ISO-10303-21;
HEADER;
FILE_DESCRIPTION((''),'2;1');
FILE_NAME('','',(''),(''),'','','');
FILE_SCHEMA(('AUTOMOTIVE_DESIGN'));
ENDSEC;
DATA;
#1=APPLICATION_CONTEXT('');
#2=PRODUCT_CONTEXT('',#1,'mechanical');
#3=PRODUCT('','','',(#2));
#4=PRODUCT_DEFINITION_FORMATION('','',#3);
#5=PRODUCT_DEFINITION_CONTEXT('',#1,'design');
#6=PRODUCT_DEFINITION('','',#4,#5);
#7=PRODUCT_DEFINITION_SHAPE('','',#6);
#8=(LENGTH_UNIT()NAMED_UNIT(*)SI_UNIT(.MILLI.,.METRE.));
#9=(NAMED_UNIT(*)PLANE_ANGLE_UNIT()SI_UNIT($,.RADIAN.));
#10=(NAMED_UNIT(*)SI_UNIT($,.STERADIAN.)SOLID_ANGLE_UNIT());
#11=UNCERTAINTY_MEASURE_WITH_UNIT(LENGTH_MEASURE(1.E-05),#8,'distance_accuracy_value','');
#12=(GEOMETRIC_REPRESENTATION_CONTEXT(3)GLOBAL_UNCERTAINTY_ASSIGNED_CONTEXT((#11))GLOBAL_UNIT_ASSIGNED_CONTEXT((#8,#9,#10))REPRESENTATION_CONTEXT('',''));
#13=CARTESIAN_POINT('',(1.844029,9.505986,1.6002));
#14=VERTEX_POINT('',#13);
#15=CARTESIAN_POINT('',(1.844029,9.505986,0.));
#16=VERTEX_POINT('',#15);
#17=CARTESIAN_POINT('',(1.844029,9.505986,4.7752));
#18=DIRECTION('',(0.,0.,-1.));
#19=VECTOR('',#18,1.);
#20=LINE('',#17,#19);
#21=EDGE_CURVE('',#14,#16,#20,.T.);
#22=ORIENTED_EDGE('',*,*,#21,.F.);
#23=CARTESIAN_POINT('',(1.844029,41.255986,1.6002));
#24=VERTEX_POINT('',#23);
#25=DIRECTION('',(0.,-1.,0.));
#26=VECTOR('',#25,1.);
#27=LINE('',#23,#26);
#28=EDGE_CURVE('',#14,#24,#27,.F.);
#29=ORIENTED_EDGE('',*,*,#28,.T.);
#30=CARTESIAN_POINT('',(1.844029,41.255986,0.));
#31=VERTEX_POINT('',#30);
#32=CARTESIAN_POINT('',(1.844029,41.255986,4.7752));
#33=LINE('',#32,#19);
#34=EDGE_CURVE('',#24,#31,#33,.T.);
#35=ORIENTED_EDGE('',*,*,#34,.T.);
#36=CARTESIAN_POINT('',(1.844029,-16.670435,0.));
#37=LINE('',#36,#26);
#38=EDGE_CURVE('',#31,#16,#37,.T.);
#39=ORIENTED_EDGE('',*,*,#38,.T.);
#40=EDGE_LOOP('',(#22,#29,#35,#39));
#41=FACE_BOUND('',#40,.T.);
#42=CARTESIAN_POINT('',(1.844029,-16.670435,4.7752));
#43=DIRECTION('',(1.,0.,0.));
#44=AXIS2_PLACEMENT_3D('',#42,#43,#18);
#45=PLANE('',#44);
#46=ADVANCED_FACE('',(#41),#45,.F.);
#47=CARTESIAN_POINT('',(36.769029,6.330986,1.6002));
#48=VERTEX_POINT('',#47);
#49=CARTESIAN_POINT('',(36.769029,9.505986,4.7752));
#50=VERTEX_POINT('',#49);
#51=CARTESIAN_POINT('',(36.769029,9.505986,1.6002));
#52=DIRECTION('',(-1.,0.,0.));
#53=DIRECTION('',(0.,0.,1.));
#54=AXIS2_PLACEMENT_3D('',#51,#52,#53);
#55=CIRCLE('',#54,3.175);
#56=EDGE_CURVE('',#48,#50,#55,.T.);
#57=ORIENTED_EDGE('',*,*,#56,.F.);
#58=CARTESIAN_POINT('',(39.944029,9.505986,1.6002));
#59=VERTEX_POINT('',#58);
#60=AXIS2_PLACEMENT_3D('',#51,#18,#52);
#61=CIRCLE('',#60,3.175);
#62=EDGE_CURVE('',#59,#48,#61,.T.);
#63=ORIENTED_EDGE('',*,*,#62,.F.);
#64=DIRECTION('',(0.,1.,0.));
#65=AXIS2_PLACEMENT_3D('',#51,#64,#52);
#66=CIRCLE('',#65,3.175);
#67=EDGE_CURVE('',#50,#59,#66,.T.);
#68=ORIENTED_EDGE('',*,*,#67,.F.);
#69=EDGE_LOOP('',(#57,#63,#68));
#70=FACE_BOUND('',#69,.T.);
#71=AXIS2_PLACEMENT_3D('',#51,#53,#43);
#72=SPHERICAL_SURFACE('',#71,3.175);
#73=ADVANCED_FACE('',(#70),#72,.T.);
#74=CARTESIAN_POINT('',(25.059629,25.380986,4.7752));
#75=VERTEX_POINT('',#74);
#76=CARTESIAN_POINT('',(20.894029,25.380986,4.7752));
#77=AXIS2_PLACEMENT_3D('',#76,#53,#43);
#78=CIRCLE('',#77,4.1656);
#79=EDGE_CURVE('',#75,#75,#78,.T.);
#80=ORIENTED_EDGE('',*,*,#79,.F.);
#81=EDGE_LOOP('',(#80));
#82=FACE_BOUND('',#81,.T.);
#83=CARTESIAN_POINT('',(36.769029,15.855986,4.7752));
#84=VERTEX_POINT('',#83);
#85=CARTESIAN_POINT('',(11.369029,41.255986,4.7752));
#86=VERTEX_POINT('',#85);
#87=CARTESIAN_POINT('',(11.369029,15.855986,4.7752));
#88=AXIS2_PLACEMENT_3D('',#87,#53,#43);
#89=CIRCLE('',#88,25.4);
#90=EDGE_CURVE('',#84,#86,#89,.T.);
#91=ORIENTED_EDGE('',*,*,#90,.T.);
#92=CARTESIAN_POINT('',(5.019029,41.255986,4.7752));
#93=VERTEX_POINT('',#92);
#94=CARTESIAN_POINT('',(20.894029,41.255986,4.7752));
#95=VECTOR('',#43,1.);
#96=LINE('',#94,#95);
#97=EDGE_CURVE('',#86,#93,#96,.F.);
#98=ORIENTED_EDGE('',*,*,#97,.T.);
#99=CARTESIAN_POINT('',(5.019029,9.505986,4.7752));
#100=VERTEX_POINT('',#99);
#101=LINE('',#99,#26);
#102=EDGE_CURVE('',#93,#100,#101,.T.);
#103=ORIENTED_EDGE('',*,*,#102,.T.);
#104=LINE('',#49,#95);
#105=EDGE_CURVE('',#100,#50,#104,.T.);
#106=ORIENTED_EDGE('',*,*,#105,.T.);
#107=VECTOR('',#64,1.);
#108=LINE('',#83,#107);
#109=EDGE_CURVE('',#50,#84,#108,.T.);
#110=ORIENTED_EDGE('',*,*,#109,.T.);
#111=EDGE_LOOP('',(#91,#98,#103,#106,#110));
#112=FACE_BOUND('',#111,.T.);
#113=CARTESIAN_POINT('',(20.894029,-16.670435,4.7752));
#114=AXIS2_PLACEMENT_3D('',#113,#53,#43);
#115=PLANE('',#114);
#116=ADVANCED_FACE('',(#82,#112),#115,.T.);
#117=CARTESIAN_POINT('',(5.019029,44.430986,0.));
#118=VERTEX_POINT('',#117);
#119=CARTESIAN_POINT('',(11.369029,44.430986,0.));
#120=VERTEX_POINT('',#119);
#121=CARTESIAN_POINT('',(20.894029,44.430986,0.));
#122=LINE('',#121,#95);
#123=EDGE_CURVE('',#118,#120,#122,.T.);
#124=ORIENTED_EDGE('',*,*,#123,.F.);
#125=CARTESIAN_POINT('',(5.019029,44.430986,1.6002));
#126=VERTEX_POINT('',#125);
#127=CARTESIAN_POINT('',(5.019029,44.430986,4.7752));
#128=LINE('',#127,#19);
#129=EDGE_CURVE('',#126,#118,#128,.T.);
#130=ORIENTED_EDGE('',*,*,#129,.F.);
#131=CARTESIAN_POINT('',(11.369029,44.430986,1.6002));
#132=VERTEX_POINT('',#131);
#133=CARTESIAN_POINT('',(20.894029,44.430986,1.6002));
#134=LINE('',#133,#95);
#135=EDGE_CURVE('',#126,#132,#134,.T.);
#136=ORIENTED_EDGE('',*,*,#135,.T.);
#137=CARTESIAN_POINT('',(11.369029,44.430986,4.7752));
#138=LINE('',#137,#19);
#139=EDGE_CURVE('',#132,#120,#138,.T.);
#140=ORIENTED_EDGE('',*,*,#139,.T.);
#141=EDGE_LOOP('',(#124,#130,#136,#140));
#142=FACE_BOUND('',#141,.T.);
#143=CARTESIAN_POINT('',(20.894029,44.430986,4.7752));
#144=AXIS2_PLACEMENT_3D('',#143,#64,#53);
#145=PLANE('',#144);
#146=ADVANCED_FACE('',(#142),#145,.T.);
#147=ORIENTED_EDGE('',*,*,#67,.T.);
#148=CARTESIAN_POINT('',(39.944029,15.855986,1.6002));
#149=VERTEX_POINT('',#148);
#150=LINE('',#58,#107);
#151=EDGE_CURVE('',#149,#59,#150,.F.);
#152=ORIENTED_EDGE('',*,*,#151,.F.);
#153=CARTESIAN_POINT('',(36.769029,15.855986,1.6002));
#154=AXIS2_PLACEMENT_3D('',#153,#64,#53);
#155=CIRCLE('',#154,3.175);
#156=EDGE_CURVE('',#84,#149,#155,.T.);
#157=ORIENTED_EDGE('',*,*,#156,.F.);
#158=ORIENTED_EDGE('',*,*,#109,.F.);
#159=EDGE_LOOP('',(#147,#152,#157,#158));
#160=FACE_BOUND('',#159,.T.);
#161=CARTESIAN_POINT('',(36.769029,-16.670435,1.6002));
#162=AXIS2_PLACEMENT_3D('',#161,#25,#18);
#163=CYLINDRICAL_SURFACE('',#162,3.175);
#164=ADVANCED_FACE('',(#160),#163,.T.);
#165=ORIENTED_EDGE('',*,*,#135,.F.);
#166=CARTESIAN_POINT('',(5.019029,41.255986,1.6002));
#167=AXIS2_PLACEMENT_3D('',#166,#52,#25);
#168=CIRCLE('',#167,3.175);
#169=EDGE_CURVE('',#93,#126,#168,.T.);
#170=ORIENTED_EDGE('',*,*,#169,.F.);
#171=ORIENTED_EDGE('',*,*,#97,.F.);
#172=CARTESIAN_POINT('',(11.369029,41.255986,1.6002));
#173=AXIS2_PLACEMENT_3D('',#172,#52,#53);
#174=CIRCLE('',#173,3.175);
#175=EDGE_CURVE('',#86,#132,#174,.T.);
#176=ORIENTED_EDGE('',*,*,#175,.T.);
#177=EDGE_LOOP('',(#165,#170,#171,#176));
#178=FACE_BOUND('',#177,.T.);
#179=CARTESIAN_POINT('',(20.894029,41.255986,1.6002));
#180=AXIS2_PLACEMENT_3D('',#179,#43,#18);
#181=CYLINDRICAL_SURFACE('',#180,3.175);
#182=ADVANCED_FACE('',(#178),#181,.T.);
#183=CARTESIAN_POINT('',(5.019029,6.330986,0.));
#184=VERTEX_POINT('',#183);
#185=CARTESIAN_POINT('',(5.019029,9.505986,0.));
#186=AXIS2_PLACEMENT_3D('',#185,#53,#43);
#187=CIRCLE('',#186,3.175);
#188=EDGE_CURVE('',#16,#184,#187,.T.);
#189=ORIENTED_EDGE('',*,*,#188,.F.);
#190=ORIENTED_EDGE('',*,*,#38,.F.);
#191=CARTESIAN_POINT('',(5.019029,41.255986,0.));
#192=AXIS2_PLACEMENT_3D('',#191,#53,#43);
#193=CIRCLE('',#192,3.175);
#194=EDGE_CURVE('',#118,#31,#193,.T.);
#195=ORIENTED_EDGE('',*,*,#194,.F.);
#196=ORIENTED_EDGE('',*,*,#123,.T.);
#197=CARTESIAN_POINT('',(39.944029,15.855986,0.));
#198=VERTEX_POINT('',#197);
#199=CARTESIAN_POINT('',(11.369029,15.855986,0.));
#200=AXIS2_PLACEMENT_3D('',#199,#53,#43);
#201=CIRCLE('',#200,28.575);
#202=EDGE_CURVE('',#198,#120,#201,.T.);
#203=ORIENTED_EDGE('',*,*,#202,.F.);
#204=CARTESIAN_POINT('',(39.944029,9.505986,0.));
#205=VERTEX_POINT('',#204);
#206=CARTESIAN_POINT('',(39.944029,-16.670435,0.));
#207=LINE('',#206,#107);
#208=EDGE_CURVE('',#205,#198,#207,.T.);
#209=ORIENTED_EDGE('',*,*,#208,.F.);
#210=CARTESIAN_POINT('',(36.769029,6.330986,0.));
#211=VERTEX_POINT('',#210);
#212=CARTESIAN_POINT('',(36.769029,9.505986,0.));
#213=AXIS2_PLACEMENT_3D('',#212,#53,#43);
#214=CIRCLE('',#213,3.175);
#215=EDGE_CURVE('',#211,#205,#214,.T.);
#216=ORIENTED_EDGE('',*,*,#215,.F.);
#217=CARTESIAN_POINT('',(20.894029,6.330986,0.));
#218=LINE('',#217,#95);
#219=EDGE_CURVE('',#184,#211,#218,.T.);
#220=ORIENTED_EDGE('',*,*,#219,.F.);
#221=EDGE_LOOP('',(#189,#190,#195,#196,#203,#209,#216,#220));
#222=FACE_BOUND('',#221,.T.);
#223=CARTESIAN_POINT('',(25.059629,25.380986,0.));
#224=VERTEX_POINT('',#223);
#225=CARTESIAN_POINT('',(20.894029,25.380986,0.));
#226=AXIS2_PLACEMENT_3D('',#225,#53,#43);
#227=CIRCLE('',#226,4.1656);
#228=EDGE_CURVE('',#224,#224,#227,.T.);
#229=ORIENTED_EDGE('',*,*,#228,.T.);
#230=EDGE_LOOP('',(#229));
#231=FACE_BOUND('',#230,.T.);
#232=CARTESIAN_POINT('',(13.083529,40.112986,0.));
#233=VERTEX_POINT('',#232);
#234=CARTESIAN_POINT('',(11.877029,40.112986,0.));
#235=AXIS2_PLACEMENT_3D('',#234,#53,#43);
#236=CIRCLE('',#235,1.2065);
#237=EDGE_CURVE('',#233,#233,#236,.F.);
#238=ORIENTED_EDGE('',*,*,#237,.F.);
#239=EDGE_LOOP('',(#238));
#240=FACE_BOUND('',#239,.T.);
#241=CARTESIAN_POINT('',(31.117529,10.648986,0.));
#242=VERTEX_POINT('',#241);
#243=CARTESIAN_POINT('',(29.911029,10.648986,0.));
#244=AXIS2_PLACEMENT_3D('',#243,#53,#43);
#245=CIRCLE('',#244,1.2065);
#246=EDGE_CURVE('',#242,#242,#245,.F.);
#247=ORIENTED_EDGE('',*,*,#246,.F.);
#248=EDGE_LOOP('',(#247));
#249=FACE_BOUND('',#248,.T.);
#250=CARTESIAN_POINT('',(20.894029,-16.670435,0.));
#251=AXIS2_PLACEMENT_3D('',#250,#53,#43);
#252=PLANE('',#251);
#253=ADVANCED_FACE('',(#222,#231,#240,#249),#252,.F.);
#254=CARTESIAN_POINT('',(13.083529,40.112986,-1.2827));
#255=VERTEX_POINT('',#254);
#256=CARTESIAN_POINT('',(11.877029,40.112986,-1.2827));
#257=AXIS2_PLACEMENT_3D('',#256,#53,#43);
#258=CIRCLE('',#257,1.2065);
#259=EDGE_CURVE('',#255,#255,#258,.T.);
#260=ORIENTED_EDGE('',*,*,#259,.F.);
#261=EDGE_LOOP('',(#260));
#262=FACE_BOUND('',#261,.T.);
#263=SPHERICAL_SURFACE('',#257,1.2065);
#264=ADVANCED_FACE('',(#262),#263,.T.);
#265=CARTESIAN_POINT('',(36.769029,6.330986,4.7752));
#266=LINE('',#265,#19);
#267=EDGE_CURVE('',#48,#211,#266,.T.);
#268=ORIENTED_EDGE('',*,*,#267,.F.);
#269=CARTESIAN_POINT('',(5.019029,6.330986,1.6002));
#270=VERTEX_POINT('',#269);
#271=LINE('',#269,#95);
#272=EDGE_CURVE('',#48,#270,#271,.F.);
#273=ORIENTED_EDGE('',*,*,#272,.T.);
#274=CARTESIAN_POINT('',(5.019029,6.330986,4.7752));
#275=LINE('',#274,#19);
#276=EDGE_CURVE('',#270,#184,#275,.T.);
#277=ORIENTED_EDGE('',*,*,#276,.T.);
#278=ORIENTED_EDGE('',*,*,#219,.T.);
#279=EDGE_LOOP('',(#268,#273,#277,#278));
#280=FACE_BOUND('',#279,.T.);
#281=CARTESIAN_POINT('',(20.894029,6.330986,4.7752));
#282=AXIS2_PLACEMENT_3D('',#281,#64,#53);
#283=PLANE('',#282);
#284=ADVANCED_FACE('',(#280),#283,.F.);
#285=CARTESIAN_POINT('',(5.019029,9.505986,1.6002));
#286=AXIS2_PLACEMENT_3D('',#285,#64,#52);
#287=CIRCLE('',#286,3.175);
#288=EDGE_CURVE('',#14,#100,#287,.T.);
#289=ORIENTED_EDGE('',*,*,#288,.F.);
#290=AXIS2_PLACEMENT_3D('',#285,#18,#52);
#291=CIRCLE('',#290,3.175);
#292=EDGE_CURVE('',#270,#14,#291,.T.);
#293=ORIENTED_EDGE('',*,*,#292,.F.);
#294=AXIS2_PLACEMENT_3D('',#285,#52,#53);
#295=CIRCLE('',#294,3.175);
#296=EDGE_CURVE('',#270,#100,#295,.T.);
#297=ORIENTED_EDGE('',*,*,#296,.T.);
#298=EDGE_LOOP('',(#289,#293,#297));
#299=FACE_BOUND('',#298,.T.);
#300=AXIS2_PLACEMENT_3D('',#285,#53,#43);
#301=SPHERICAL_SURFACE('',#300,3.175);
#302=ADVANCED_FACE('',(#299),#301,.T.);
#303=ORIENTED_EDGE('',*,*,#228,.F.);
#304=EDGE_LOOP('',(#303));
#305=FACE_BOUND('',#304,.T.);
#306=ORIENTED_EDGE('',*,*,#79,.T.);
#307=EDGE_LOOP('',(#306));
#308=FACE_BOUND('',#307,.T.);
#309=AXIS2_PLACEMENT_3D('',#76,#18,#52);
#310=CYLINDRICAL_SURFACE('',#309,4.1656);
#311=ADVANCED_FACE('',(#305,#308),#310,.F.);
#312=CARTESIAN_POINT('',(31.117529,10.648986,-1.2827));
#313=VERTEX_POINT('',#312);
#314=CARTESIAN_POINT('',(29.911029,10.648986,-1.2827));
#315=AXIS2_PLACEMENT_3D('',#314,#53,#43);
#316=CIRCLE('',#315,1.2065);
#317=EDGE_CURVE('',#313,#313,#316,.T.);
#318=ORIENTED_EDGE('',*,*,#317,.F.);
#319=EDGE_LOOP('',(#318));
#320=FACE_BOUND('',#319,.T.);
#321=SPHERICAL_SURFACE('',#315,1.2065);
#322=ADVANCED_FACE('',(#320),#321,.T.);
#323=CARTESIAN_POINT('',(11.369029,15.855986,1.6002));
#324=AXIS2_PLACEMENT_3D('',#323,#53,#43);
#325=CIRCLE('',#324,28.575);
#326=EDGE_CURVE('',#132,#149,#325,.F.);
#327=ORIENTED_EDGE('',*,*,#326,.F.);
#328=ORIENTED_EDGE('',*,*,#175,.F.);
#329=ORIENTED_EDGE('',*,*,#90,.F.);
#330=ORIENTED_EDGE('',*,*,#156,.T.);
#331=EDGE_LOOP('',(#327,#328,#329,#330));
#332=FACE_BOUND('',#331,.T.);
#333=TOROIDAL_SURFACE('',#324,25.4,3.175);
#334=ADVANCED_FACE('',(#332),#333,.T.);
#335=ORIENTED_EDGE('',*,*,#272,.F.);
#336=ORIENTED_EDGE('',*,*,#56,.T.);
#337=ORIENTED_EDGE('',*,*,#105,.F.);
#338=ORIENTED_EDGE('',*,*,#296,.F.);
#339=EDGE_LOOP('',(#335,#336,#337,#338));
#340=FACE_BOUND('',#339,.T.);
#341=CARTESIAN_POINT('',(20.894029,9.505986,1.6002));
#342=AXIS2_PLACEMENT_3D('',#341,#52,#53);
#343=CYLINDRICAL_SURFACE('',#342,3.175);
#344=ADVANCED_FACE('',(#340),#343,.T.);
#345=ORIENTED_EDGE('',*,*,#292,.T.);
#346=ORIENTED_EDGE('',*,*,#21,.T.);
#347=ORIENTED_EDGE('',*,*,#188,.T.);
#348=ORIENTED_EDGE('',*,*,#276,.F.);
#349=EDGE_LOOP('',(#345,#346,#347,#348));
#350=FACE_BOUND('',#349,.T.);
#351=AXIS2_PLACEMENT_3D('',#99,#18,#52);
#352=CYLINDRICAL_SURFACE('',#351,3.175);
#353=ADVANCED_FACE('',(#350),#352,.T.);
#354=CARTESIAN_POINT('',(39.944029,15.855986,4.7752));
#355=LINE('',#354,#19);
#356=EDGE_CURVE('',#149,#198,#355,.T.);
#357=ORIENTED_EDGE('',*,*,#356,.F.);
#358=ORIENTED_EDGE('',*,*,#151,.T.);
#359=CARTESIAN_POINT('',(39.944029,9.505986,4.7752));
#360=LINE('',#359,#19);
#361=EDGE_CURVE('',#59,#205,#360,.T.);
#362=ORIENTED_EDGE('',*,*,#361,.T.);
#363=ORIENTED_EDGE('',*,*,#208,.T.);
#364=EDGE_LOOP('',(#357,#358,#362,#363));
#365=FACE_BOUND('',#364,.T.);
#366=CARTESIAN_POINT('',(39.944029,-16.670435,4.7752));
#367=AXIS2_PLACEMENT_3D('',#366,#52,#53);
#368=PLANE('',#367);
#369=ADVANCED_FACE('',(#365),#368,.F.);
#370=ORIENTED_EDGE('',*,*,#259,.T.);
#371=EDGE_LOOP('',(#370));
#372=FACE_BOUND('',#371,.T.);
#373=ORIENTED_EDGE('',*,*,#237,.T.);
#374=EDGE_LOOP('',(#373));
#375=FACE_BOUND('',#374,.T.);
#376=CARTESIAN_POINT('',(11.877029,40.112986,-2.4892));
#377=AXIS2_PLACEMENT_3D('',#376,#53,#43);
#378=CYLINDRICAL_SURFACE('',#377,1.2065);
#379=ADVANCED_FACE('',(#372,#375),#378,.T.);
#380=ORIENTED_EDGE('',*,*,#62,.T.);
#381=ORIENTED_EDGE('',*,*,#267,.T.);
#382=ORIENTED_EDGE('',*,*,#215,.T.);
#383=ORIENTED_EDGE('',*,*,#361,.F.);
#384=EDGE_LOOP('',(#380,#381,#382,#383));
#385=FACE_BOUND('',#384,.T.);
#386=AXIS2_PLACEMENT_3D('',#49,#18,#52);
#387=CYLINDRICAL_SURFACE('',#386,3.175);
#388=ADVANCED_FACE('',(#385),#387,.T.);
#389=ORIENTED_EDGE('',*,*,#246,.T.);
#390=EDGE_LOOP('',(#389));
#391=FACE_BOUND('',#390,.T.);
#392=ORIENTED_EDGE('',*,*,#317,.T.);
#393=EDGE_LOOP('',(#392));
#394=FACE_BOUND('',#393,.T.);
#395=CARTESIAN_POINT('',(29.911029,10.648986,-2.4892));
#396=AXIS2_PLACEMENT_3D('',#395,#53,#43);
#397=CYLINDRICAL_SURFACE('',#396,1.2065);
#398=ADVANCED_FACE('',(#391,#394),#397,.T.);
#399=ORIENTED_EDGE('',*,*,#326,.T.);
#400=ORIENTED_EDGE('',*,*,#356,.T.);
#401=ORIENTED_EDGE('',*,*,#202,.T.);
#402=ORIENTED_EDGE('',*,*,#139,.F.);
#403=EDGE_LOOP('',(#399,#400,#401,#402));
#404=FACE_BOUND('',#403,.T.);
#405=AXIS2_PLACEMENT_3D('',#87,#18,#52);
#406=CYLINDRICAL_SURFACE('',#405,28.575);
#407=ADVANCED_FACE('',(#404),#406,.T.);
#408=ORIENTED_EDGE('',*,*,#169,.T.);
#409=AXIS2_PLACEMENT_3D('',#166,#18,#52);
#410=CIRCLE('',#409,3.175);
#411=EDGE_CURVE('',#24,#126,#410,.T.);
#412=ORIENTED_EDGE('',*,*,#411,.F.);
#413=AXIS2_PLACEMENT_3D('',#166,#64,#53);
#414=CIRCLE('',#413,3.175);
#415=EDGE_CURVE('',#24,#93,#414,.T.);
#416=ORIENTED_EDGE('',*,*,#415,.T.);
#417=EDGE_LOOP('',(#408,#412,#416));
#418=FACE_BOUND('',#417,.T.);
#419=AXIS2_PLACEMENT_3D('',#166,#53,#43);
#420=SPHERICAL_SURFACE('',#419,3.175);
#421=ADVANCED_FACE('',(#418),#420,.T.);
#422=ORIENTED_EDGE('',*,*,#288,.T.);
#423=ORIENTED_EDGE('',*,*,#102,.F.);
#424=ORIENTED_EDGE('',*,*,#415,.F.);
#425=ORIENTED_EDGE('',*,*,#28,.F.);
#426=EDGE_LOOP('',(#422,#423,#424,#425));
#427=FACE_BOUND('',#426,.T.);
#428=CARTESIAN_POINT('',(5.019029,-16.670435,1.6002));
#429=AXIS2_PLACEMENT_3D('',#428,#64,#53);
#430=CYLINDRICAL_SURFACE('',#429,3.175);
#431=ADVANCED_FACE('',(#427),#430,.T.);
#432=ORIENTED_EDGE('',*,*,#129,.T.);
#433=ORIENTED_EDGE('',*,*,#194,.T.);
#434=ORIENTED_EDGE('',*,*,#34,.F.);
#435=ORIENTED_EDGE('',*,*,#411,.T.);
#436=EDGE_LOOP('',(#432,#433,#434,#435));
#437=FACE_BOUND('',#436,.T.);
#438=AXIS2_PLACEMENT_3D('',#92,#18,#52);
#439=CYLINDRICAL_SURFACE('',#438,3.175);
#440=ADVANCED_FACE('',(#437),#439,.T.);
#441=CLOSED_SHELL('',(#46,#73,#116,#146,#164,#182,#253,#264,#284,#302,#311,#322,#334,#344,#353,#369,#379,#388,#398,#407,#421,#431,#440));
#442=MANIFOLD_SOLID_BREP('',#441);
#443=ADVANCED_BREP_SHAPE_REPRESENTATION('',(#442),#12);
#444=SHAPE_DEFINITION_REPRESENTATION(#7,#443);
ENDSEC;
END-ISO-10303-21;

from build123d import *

# Parameters (mm, degrees)
SKETCH1_R      = 4.1656
EXTRUDE1_DEPTH = 4.7752
FILLET1_R      = 3.175
SKETCH2_R      = 1.2065
EXTRUDE2_DEPTH = 2.4892
FILLET2_R      = 1.2065


with BuildPart() as part:
    # Sketch1 → Extrude1 (new body)
    with BuildSketch(Plane.XY):
        with BuildLine():
            Line((39.944028629, 9.505986328), (39.944028629, 15.855986328))
            ThreePointArc((39.944028629, 15.855986328), (31.574604902, 36.0615626), (11.369028629, 44.430986328))
            Line((11.369028629, 44.430986328), (5.019028629, 44.430986328))
            ThreePointArc((5.019028629, 44.430986328), (2.773964599, 43.501050358), (1.844028629, 41.255986328))
            Line((1.844028629, 41.255986328), (1.844028629, 9.505986328))
            ThreePointArc((1.844028629, 9.505986328), (2.773964599, 7.260922298), (5.019028629, 6.330986328))
            Line((5.019028629, 6.330986328), (36.769028629, 6.330986328))
            ThreePointArc((36.769028629, 6.330986328), (39.014092659, 7.260922298), (39.944028629, 9.505986328))
        make_face()
        with Locations((20.894028629, 25.380986328)):
            Circle(SKETCH1_R, mode=Mode.SUBTRACT)
    extrude(amount=EXTRUDE1_DEPTH)

    # Fillet1
    fillet1_edges = [part.edges().sort_by_distance(p)[0] for p in [
        (39.944028629, 12.680986328, 4.7752),
        (31.574604902, 36.0615626, 4.7752),
        (8.194028629, 44.430986328, 4.7752),
        (2.773964599, 43.501050358, 4.7752),
        (1.844028629, 25.380986328, 4.7752),
        (2.773964599, 7.260922298, 4.7752),
        (20.894028629, 6.330986328, 4.7752),
        (39.014092659, 7.260922298, 4.7752),
    ]]
    fillet(fillet1_edges, radius=FILLET1_R)

    # Sketch2 → Extrude2 (add)
    with BuildSketch(Plane(origin=(0, 0, 0), x_dir=(-1, 0, 0), z_dir=(0, 0, -1))):
        with Locations(Location((-29.911028629, 10.648986328, 0), (0, 0, 180))):
            Circle(SKETCH2_R)
        with Locations(Location((-11.877028629, 40.112986328, 0), (0, 0, 180))):
            Circle(SKETCH2_R)
    extrude(amount=EXTRUDE2_DEPTH)

    # Fillet2
    fillet2_edges = [part.edges().sort_by_distance(p)[0] for p in [
        (28.704528629, 10.648986328, -2.4892),
        (10.670528629, 40.112986328, -2.4892),
    ]]
    fillet(fillet2_edges, radius=FILLET2_R)


solid = part.part
